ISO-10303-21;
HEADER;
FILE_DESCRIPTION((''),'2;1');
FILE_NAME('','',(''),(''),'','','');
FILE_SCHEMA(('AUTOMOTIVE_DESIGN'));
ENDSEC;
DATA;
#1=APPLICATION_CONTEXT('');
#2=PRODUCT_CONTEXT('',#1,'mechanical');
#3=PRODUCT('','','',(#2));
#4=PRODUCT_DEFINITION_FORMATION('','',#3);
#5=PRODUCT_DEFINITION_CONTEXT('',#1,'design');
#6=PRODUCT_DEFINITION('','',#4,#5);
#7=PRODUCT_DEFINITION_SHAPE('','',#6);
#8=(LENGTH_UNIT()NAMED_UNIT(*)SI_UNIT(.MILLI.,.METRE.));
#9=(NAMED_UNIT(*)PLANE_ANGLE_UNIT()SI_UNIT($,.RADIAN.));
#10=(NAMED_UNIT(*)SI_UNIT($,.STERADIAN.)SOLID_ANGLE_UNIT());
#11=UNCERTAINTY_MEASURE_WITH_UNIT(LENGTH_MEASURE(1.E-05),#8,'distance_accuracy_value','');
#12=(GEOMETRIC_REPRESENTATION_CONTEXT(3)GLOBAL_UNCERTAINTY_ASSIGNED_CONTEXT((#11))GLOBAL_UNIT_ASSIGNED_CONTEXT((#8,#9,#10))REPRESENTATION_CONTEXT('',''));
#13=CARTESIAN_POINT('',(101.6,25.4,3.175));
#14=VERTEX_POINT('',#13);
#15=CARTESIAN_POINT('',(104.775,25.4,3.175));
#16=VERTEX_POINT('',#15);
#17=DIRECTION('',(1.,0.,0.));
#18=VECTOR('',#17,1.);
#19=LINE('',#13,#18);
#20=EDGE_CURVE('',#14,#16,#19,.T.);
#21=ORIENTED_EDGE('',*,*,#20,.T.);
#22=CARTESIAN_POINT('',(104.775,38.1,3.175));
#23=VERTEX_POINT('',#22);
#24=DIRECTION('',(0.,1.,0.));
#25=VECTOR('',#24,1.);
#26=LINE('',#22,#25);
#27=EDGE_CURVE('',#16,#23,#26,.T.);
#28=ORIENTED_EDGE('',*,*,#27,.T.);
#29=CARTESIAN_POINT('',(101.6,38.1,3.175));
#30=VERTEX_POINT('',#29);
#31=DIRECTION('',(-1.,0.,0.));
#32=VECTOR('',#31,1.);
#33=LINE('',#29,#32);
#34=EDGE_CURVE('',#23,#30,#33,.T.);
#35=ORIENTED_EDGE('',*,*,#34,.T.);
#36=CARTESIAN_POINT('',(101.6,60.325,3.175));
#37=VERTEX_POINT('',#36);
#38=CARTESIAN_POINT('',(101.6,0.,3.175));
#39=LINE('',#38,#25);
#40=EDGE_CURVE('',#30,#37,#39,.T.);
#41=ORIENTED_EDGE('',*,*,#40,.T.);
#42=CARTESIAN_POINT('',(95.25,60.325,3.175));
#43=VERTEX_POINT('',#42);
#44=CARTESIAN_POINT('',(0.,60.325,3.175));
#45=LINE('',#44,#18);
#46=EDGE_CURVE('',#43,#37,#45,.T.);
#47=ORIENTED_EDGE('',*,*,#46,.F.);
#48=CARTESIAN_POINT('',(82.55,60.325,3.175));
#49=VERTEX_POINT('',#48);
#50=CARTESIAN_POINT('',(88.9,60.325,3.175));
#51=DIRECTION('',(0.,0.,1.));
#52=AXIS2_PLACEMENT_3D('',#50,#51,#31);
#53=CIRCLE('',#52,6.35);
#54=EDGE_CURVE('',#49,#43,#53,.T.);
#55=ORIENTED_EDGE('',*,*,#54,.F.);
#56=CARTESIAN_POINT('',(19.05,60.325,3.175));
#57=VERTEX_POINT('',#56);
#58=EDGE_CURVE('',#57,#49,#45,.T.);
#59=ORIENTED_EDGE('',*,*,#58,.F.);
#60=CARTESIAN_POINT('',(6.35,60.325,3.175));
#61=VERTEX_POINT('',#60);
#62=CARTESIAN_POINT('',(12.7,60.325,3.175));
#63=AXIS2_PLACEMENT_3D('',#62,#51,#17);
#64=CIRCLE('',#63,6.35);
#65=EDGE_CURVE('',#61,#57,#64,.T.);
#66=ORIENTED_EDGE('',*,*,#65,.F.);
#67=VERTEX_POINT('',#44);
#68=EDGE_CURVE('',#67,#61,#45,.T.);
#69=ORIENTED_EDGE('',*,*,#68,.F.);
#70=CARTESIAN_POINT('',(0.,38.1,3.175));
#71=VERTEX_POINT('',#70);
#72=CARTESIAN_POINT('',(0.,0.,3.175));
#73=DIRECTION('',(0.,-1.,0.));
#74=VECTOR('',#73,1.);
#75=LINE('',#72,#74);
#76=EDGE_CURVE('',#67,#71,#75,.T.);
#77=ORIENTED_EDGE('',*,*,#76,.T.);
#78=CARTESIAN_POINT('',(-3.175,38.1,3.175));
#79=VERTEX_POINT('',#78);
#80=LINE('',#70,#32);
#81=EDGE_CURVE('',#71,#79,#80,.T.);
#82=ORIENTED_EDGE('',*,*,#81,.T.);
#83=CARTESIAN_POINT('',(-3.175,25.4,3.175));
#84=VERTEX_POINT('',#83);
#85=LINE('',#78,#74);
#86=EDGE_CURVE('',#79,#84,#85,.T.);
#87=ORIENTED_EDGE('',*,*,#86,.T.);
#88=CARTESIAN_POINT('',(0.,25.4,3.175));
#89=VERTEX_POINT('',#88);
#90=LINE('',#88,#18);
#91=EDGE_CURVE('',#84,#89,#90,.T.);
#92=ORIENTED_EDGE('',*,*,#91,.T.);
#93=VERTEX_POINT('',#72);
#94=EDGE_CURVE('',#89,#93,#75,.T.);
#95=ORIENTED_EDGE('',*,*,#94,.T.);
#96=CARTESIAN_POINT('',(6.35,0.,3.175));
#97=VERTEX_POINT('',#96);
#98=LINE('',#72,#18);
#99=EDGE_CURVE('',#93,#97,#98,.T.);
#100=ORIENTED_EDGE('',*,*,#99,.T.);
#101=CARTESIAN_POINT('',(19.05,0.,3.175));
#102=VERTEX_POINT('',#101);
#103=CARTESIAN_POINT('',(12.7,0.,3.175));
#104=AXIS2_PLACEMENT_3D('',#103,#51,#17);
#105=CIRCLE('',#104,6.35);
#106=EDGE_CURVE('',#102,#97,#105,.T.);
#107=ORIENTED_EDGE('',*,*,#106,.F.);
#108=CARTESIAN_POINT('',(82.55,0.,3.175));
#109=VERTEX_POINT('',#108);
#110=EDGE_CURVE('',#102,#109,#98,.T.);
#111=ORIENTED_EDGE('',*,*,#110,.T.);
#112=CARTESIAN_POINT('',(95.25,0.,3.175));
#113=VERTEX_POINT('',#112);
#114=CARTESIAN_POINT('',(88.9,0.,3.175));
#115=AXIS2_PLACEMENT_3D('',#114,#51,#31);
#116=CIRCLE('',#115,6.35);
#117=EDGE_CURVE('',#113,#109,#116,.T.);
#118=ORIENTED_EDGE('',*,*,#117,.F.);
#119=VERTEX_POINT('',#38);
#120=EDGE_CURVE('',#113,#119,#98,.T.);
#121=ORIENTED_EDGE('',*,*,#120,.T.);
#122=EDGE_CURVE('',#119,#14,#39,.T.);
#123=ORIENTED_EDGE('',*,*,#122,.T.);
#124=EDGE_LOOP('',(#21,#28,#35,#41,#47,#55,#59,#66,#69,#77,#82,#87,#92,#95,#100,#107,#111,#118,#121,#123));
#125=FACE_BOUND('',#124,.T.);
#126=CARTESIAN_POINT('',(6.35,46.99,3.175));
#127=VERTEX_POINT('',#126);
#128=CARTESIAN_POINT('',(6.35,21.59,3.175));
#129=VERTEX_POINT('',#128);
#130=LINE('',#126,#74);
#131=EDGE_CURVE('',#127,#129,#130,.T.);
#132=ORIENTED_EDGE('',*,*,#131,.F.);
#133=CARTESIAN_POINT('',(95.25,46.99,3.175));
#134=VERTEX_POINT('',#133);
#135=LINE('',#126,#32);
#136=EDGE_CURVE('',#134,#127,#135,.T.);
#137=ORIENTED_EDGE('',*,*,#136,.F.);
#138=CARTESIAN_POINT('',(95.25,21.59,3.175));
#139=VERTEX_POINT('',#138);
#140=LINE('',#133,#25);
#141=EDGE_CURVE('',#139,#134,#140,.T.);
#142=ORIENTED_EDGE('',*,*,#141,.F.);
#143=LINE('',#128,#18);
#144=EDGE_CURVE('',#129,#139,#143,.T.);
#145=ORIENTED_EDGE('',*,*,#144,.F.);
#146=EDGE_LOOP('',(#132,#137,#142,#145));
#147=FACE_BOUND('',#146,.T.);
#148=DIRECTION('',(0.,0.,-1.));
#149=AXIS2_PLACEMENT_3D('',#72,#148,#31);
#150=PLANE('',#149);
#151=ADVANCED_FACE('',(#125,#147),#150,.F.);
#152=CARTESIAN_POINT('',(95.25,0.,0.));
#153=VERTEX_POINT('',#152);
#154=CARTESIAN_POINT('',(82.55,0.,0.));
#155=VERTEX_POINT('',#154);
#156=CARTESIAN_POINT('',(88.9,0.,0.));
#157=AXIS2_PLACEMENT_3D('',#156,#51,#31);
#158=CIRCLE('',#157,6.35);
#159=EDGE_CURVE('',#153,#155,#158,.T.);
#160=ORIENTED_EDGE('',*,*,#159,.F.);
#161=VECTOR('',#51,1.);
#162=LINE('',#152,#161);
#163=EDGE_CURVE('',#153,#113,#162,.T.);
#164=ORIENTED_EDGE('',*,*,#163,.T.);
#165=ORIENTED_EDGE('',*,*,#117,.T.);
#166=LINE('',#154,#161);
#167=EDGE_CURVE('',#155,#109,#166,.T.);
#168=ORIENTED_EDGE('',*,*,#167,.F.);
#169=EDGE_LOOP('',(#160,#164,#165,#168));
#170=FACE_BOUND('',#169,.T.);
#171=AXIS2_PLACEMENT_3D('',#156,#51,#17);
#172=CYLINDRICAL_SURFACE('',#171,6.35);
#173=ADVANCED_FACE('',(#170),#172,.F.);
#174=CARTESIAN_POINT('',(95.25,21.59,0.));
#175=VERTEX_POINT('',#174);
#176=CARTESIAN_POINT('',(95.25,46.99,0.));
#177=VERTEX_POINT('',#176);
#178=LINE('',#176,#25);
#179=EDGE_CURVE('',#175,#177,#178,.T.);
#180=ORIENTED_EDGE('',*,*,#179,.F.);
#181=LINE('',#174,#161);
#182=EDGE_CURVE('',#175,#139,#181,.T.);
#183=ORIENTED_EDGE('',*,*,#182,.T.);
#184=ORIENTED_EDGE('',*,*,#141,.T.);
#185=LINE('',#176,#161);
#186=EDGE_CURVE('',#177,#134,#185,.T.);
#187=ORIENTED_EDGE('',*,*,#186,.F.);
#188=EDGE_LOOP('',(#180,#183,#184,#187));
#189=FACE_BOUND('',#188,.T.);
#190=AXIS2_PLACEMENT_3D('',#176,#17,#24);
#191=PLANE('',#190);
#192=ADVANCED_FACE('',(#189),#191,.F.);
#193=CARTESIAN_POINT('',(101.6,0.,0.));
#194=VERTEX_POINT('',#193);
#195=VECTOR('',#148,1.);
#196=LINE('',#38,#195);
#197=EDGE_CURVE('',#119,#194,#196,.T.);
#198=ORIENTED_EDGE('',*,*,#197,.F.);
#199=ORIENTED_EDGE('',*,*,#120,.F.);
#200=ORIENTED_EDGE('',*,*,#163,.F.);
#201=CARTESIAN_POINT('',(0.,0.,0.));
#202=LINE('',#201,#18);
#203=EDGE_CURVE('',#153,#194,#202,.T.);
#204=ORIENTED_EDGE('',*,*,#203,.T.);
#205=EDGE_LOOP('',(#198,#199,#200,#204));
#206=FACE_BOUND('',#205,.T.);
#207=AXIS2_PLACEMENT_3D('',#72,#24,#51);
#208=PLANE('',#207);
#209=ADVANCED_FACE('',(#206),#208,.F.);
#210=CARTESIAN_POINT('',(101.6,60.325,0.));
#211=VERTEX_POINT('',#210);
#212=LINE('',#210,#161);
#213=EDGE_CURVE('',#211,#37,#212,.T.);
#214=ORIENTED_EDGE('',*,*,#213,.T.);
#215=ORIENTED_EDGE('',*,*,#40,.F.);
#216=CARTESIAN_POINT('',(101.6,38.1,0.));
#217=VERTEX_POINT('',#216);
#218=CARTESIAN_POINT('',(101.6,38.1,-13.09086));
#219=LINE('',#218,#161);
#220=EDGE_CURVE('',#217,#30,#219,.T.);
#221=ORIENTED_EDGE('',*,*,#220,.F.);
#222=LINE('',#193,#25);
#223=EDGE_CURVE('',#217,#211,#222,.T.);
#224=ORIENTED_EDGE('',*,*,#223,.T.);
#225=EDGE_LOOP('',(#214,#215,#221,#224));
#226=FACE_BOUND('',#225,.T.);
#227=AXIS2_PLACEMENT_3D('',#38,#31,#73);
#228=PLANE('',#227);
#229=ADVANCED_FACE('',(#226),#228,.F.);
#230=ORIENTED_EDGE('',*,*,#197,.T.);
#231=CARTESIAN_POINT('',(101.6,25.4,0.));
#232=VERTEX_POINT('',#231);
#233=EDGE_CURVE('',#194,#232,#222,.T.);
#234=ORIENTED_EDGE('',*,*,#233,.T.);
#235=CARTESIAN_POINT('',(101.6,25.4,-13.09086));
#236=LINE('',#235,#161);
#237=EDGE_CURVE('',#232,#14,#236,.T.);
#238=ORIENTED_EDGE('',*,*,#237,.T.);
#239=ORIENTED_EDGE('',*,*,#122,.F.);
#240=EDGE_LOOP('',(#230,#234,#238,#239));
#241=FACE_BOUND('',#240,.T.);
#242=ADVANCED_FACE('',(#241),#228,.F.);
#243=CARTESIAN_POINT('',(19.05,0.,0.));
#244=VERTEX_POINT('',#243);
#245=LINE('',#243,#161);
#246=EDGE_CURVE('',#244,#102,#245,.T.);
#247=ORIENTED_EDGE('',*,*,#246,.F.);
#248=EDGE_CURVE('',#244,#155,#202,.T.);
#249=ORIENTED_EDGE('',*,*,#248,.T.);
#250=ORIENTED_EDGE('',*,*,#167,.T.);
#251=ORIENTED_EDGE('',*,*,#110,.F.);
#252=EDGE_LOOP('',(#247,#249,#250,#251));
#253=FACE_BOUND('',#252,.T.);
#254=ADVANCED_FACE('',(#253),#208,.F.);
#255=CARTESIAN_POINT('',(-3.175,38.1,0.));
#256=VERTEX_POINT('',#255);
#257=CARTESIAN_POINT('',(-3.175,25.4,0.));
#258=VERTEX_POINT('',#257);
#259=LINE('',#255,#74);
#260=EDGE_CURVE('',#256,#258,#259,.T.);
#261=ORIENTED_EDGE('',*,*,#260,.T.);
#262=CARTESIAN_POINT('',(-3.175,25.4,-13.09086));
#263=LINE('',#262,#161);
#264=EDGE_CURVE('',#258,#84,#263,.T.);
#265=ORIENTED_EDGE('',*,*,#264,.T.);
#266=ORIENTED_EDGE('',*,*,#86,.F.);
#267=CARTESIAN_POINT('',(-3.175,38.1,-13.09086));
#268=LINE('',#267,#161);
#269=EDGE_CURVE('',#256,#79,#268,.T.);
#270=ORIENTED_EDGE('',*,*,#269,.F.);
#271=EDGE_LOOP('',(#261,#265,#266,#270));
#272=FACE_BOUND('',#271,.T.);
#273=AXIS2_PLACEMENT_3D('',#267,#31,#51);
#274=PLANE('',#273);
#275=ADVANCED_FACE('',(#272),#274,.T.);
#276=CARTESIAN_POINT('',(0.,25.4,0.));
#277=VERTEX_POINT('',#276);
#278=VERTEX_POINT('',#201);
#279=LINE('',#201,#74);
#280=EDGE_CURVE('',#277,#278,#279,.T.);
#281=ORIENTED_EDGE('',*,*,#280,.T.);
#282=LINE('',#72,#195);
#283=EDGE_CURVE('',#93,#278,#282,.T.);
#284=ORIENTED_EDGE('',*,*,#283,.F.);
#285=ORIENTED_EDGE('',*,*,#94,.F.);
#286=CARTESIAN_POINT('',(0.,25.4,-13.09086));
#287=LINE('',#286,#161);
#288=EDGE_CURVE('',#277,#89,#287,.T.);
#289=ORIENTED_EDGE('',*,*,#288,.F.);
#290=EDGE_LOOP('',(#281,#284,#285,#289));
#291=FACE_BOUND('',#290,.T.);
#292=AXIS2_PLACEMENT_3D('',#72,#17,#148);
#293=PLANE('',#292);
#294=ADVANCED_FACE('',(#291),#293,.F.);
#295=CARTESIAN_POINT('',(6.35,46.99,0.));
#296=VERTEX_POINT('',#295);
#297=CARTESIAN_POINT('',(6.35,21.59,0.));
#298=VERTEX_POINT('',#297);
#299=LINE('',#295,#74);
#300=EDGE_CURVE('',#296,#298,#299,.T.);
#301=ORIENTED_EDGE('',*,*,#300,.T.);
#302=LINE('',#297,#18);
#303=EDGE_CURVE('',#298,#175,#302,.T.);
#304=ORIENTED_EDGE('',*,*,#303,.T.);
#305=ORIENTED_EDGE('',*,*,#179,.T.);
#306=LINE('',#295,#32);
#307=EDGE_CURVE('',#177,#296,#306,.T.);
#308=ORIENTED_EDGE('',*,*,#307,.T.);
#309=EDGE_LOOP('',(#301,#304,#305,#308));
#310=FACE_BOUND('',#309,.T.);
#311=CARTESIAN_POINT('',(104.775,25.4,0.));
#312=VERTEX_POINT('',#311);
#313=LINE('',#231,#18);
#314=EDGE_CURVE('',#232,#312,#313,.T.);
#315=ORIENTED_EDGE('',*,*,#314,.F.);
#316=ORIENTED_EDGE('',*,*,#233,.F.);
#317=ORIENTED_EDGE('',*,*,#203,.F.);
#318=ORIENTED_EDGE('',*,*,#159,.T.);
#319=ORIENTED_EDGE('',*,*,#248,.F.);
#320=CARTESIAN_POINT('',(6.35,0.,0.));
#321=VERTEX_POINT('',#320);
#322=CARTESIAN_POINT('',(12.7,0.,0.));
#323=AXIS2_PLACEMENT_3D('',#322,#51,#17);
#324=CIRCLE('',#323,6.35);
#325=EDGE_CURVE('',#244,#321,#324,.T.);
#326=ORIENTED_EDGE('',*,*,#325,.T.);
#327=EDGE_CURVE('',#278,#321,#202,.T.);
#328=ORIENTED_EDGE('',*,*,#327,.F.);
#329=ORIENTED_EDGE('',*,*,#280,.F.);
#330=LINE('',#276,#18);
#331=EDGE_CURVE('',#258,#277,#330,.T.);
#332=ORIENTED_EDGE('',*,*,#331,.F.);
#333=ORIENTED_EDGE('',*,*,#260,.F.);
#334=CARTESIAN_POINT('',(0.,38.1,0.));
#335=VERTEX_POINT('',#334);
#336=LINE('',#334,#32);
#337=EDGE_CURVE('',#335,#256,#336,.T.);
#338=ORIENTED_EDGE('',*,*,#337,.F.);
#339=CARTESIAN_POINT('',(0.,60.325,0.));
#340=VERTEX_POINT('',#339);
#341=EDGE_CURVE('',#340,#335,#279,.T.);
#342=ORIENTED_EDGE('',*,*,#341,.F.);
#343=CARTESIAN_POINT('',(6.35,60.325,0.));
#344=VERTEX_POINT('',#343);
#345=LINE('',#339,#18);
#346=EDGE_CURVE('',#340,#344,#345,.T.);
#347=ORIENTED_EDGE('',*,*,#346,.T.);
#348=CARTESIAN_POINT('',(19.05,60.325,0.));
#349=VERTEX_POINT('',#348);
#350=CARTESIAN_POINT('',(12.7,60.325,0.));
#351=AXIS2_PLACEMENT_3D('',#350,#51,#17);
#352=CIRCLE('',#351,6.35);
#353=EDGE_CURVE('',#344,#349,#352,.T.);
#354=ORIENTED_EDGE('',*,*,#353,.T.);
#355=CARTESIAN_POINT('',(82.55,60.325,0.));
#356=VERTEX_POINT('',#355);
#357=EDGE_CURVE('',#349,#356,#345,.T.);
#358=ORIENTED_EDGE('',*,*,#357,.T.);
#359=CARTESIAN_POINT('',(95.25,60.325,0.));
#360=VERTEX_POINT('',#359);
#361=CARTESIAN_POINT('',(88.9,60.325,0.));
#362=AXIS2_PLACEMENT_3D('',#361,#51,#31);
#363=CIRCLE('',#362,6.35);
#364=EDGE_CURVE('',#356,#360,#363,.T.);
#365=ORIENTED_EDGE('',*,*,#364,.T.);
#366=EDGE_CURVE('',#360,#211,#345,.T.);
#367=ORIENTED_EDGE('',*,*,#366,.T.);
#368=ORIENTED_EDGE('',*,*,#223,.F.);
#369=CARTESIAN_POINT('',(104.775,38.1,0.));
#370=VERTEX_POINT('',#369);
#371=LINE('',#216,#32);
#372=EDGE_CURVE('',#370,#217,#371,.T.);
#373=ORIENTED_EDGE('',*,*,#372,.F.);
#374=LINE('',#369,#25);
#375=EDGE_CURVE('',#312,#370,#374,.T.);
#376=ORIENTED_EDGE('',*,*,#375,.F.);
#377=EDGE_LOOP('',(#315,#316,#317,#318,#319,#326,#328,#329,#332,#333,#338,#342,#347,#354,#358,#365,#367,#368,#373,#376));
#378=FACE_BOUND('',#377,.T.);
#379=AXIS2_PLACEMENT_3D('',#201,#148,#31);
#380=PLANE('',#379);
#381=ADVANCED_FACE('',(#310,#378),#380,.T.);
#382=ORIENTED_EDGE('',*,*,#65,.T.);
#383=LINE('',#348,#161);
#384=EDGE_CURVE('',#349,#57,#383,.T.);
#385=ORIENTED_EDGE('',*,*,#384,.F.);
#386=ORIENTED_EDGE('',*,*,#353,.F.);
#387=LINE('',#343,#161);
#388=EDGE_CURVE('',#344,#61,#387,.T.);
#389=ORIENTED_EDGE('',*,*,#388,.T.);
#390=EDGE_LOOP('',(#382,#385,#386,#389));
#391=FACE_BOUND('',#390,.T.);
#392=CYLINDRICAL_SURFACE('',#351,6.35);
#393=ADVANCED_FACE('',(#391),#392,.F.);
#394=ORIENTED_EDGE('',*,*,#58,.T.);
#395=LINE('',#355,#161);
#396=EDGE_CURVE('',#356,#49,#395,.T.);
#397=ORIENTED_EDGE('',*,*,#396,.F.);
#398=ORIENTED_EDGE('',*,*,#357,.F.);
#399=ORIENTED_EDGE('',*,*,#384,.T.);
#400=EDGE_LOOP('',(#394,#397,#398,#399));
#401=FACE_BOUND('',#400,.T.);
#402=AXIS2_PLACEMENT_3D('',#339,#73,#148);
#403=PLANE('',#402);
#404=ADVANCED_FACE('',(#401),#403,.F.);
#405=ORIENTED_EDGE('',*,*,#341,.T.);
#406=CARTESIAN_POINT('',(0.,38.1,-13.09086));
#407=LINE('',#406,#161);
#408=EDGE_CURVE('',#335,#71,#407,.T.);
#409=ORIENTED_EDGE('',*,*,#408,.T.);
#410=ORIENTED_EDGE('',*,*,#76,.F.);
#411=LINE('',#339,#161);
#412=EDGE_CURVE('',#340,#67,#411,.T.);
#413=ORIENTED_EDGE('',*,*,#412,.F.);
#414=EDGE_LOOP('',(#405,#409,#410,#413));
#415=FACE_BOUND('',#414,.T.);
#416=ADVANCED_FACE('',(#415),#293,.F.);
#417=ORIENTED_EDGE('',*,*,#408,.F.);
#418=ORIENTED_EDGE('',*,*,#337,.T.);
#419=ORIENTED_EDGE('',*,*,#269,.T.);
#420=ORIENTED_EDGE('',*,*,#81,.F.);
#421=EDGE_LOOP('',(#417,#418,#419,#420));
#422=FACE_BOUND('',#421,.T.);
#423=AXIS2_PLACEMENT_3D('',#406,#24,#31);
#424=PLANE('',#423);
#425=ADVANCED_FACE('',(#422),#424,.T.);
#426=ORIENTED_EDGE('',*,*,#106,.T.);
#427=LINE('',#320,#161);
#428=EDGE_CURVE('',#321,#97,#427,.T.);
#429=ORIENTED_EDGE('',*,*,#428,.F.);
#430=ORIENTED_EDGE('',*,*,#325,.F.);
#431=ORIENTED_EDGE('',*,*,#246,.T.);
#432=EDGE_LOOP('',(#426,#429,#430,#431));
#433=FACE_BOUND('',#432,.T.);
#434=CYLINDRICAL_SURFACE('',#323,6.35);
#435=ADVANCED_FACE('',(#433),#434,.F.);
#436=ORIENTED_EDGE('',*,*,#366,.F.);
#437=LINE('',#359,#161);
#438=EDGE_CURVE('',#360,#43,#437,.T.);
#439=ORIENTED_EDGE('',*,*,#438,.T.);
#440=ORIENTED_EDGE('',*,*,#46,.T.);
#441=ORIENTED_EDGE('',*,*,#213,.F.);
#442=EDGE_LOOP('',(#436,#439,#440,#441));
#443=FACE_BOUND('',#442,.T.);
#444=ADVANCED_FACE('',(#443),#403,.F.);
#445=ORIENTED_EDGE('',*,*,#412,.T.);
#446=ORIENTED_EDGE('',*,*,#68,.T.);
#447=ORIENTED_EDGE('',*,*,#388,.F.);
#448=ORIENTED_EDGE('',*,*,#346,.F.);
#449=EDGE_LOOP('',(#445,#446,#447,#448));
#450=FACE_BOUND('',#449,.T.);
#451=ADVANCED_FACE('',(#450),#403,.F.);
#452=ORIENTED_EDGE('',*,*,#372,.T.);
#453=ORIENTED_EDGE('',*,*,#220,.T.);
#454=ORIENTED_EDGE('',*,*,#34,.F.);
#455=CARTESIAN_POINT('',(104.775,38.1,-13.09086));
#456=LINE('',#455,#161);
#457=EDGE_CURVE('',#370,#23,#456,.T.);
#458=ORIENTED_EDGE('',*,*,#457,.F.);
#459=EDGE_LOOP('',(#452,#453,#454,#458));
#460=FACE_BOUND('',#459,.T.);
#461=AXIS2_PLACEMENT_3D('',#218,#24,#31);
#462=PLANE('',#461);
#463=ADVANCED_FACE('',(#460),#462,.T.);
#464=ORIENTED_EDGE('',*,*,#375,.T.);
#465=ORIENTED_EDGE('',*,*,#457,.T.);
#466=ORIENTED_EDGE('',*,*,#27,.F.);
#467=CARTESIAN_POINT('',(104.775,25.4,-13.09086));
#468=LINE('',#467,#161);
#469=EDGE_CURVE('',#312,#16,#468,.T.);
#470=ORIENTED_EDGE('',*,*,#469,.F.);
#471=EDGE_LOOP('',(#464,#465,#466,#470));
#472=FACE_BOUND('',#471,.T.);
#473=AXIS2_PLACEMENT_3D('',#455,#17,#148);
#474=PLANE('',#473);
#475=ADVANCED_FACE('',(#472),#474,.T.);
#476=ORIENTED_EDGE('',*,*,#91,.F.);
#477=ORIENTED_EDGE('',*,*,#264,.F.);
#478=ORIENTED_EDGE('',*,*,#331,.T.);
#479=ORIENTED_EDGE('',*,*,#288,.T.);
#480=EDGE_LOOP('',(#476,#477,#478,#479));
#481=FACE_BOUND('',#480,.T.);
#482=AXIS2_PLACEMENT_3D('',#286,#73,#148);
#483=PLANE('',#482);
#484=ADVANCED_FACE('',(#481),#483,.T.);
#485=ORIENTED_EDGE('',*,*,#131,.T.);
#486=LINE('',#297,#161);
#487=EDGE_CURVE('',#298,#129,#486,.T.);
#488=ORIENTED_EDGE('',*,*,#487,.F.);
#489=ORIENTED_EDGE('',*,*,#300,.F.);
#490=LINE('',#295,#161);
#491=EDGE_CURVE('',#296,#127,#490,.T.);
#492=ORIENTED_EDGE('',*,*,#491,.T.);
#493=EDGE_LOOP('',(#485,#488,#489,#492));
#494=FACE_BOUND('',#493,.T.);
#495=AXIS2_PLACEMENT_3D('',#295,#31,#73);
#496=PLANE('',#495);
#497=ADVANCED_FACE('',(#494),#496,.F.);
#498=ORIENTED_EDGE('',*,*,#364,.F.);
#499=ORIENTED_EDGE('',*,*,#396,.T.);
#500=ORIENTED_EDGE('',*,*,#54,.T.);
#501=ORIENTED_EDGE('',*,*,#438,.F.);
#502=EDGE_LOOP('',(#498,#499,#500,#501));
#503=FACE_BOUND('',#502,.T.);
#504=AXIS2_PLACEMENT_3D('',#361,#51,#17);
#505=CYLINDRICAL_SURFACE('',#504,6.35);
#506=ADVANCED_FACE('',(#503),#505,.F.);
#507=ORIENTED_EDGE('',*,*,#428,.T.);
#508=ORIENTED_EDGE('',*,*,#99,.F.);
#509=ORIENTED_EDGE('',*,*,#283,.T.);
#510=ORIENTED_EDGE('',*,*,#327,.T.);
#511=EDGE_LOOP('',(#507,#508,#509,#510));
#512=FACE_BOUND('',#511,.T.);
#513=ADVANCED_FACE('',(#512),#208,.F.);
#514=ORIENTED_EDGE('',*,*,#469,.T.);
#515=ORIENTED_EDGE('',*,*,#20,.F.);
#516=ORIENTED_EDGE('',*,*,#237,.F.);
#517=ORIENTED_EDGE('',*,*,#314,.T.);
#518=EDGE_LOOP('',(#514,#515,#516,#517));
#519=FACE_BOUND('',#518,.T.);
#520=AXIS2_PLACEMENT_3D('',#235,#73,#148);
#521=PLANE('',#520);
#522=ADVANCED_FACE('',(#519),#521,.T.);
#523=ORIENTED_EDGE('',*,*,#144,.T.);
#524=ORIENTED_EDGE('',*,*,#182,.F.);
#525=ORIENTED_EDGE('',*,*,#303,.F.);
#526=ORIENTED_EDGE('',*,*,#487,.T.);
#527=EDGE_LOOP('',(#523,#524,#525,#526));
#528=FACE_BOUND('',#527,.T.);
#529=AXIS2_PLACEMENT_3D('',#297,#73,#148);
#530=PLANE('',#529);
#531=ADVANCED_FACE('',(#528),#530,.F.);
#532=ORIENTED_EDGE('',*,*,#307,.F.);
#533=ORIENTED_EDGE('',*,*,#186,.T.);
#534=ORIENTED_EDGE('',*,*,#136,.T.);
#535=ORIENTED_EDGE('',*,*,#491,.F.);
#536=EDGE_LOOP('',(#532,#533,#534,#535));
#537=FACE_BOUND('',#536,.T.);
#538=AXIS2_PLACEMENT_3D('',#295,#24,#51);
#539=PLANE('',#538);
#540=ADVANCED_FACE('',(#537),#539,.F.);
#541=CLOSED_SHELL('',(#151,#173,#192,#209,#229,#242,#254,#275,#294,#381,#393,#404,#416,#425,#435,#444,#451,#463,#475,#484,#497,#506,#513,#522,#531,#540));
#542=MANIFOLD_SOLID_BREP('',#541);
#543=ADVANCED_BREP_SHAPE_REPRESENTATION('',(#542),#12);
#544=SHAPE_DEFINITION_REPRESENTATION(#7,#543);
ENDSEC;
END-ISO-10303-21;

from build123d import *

# Parameters (mm, degrees)
SKETCH1_W           = 101.6
SKETCH1_H           = 63.5
BOSS_EXTRUDE1_DEPTH = 3.175
SKETCH2_W           = 88.9
SKETCH2_H           = 25.4
CUT_EXTRUDE1_DEPTH  = 4.175
SKETCH3_W           = 3.175
SKETCH3_H           = 12.7
BOSS_EXTRUDE2_DEPTH = 3.175
SKETCH4_W           = 101.6
SKETCH4_H           = 3.175
CUT_EXTRUDE2_DEPTH  = 4.175
CUT_EXTRUDE5_DEPTH  = 4.175


with BuildPart() as part:
    # Sketch1 → Boss-Extrude1 (new body)
    with BuildSketch(Plane.XY):
        with Locations((50.8, 31.75)):
            Rectangle(SKETCH1_W, SKETCH1_H)
    extrude(amount=BOSS_EXTRUDE1_DEPTH)

    # Sketch2 → Cut-Extrude1 (cut, through all)
    with BuildSketch(Plane.XY.offset(3.175)):
        with Locations((50.8, 34.29)):
            Rectangle(SKETCH2_W, SKETCH2_H)
    extrude(amount=-CUT_EXTRUDE1_DEPTH, mode=Mode.SUBTRACT)

    # Sketch3 → Boss-Extrude2 (add)
    with BuildSketch(Plane.XY.offset(3.175)):
        with Locations((-1.5875, 31.75)):
            Rectangle(SKETCH3_W, SKETCH3_H)
        with Locations((103.1875, 31.75)):
            Rectangle(SKETCH3_W, SKETCH3_H)
    extrude(amount=-BOSS_EXTRUDE2_DEPTH)

    # Sketch4 → Cut-Extrude2 (cut, through all)
    with BuildSketch(Plane.XY.offset(3.175)):
        with Locations((50.8, 61.9125)):
            Rectangle(SKETCH4_W, SKETCH4_H)
    extrude(amount=-CUT_EXTRUDE2_DEPTH, mode=Mode.SUBTRACT)

    # Sketch7 → Cut-Extrude5 (cut, through all)
    with BuildSketch(Plane.XY.offset(3.175)):
        with BuildLine():
            Line((6.35, 0), (19.05, 0))
            ThreePointArc((19.05, 0), (12.7, 6.35), (6.35, 0))
        make_face()
        with BuildLine():
            Line((95.25, 0), (82.55, 0))
            ThreePointArc((82.55, 0), (88.9, 6.35), (95.25, 0))
        make_face()
        with BuildLine():
            Line((6.35, 60.325), (19.05, 60.325))
            ThreePointArc((19.05, 60.325), (12.7, 53.975), (6.35, 60.325))
        make_face()
        with BuildLine():
            Line((95.25, 60.325), (82.55, 60.325))
            ThreePointArc((82.55, 60.325), (88.9, 53.975), (95.25, 60.325))
        make_face()
    extrude(amount=-CUT_EXTRUDE5_DEPTH, mode=Mode.SUBTRACT)


solid = part.part
